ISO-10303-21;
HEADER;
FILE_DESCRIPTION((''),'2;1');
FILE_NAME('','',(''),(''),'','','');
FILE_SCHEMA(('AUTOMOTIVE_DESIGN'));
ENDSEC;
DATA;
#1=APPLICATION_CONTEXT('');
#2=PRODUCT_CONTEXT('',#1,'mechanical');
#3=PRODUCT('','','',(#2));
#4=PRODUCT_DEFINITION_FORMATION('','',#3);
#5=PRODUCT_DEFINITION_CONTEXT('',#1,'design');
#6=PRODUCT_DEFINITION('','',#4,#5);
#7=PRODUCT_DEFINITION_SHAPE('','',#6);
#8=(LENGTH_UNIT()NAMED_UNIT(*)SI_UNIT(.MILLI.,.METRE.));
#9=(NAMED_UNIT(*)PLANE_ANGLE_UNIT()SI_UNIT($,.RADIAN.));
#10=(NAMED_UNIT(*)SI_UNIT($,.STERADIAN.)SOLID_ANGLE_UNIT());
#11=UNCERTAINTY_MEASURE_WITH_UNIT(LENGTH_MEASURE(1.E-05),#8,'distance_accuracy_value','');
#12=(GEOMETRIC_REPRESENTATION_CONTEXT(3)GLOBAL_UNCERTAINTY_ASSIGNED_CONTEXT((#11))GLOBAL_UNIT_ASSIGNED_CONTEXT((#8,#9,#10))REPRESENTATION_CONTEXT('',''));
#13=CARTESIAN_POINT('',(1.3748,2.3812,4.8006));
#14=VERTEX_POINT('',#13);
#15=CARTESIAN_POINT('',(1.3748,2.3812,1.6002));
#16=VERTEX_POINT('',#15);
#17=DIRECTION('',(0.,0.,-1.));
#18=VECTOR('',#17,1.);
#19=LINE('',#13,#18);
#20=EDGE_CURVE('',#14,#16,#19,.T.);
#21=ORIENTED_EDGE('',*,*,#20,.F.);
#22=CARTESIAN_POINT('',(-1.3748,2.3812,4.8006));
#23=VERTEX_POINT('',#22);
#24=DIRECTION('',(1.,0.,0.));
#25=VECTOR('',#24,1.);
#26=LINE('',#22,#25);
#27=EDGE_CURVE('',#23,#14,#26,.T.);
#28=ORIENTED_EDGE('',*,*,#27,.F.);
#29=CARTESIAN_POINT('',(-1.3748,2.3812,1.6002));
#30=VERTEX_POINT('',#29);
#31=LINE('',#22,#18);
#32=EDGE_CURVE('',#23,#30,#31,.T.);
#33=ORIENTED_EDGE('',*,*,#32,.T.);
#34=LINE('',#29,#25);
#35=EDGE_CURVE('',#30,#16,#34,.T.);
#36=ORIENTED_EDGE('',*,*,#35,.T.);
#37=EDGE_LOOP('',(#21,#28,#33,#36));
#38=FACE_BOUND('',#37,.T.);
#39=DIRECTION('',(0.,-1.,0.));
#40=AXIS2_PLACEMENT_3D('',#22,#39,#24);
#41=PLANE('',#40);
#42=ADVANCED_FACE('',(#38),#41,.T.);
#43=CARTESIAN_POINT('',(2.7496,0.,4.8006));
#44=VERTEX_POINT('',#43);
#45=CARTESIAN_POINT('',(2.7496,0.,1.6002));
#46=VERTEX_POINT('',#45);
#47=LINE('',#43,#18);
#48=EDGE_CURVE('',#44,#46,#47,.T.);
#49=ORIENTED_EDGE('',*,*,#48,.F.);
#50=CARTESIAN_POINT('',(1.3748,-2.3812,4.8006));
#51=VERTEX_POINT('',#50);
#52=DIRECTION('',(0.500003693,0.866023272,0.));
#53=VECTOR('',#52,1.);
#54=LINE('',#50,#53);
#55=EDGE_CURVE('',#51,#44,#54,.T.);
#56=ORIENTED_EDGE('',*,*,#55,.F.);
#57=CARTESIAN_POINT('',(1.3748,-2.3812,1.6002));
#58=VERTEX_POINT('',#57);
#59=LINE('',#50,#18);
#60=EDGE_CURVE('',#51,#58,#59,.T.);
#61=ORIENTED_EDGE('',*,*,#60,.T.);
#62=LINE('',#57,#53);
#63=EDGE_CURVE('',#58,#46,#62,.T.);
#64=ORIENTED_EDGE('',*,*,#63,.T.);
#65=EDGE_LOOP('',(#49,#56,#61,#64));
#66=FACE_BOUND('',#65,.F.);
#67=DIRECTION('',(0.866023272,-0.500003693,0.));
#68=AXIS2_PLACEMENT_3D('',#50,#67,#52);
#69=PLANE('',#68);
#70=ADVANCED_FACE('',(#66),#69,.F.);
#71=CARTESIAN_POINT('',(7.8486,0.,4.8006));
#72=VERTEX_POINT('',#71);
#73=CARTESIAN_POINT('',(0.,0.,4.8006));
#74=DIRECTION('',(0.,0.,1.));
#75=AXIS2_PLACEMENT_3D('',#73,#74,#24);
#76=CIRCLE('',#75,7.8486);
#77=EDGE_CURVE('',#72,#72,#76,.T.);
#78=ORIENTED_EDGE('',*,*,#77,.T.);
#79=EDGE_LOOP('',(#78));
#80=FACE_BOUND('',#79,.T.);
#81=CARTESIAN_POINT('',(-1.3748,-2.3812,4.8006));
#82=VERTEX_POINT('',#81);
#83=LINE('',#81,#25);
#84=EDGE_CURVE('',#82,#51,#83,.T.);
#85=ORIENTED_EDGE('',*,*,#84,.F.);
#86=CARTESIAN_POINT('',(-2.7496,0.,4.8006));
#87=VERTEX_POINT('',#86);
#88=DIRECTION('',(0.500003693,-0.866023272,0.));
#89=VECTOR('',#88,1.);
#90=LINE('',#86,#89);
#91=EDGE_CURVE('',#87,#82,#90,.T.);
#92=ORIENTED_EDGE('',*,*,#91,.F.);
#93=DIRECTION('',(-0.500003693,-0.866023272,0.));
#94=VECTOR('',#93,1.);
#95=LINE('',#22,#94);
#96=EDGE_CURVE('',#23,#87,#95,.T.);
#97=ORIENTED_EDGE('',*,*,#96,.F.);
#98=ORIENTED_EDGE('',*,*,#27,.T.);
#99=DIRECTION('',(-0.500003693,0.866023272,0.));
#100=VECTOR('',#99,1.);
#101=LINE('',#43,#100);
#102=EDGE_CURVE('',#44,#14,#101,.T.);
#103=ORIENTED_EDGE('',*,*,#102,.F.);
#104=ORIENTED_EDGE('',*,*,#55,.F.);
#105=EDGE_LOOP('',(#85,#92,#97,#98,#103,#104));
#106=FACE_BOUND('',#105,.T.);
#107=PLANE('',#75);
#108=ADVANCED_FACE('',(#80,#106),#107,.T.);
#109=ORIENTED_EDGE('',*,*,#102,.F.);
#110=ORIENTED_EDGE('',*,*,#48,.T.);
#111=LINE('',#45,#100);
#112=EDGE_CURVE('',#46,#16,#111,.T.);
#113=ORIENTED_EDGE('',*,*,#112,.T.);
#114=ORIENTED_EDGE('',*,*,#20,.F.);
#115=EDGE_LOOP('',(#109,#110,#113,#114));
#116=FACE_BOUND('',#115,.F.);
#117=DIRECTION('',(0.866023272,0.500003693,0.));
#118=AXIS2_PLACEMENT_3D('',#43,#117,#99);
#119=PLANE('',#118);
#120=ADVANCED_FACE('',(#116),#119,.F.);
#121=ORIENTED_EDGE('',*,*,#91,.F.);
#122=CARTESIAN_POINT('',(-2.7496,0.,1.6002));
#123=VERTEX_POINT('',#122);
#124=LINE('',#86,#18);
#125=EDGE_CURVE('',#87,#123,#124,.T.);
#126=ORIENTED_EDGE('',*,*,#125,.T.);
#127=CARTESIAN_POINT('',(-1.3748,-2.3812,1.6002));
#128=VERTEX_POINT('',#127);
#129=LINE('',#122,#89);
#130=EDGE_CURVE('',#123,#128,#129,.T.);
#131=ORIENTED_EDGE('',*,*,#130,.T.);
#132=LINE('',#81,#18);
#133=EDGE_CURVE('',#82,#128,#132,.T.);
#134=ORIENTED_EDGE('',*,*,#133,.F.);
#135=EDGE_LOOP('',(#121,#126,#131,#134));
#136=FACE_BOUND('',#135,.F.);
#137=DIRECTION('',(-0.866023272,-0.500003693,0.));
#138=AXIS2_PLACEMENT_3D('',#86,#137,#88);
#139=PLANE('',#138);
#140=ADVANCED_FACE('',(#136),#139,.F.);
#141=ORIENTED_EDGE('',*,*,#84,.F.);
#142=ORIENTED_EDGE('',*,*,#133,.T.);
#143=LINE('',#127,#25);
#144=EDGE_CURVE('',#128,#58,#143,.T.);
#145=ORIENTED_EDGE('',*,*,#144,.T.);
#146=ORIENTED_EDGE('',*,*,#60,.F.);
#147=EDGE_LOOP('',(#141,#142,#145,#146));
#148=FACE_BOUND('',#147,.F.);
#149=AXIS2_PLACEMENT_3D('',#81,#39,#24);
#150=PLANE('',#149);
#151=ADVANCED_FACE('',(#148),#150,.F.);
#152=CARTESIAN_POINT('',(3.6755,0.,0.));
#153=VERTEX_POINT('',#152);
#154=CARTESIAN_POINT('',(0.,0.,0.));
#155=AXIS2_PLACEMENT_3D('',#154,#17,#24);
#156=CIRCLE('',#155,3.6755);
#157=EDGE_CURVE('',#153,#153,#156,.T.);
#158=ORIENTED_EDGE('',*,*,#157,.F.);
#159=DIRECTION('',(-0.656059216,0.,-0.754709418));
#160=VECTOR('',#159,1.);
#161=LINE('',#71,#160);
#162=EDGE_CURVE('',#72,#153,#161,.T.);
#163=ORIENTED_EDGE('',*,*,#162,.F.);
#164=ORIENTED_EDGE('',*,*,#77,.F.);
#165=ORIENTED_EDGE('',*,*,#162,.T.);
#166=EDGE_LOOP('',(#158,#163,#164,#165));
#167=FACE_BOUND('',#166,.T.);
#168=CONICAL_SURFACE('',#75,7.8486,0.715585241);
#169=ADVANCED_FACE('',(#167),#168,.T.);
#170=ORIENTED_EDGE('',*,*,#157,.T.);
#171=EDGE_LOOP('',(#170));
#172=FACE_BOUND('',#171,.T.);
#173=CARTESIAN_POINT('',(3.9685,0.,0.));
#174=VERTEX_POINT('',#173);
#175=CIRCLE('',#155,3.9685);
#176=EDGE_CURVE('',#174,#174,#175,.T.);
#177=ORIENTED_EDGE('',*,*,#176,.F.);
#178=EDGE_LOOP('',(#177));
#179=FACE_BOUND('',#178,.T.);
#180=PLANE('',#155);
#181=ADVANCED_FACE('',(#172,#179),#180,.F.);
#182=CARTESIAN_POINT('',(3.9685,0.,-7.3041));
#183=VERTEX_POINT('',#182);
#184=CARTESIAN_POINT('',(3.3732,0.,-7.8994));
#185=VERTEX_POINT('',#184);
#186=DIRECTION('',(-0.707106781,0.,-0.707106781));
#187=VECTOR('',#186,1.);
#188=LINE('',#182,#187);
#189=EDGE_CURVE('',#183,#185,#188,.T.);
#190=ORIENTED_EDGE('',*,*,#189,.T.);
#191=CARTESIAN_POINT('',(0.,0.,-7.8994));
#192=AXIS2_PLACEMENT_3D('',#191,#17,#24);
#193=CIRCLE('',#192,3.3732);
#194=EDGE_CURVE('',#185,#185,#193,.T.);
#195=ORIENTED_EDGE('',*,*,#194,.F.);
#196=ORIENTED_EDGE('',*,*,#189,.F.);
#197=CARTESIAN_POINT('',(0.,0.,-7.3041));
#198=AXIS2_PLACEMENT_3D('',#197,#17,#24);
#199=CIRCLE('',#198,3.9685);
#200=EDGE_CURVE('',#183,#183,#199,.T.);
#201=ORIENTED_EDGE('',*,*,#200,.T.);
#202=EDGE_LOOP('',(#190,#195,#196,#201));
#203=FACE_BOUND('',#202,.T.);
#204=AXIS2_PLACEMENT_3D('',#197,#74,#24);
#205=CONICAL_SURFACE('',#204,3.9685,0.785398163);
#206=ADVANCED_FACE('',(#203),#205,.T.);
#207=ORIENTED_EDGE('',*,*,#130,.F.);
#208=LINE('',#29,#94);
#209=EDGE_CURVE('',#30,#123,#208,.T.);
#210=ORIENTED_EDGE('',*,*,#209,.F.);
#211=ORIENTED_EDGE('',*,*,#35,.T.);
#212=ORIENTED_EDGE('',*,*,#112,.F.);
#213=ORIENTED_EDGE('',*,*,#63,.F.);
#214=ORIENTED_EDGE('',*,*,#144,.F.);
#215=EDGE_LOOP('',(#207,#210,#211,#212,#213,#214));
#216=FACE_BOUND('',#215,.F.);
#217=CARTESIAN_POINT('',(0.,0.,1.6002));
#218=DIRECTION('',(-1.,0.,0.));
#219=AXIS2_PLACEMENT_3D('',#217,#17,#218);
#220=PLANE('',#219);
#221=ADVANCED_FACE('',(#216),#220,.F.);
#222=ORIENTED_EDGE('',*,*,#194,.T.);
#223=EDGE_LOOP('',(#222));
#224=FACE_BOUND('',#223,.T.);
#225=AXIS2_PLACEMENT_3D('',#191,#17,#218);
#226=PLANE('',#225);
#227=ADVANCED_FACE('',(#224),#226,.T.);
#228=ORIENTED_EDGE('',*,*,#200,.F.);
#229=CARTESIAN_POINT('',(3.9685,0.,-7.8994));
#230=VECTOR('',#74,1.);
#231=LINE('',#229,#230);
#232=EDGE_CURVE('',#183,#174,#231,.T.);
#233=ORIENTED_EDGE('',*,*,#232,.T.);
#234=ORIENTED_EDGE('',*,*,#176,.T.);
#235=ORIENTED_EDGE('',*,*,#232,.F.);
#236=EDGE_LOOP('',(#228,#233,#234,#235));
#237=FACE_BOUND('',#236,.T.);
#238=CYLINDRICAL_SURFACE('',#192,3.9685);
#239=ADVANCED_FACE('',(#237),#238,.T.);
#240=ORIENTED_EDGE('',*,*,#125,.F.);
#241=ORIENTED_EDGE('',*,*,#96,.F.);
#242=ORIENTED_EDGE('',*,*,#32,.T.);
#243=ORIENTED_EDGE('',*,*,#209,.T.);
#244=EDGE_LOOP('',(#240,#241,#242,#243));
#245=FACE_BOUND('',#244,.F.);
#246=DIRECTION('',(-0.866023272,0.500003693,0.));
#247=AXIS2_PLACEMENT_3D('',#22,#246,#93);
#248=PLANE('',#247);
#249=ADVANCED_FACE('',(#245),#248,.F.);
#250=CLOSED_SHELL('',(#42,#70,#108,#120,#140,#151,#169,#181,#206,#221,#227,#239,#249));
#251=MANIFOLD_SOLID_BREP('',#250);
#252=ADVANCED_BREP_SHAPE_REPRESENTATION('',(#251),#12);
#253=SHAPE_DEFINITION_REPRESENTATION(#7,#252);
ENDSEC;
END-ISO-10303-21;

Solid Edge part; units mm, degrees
sketch "Sketch1" plane through (0, 0, 0) normal (0, 0, 1) x (1, 0, 0)
  circle A0 centre (0, 0) radius 7.8486
  dimension "D1" = 15.6972
extrude "Protrusion1" add sketch "Sketch1" along normal blind 4.8006
sketch "Sketch2" plane through (0, 0, 0) normal (0, 0, -1) x (1, 0, 0)
  circle A0 centre (0, 0) radius 3.9688
extrude "Protrusion2" add sketch "Sketch2" along normal blind 7.8994
sketch "Sketch3" plane through (0, 0, -7.8994) normal (0, 0, -1) x (1, 0, 0)
  circle A0 centre (0, 0) radius 3.9685
extrude "Cutout1" cut sketch "Sketch3" against normal blind 7.8994 flip side to cut
chamfer "Chamfer_1" distance 0.5953 angle 45 1 edges at (-3.9685, 0, -7.8994)
sketch "Sketch4" plane through (0, 0, 4.8006) normal (0, 0, 1) x (1, 0, 0)
  line L0 (-1.3748, 2.3812) -> (1.3748, 2.3812)
  line L1 (2.7496, 0) -> (1.3748, 2.3812)
  line L2 (1.3748, -2.3812) -> (2.7496, 0)
  line L3 (-1.3748, -2.3812) -> (1.3748, -2.3812)
  line L4 (-2.7496, 0) -> (-1.3748, -2.3812)
  line L5 (-1.3748, 2.3812) -> (-2.7496, 0)
  dimension "D1" = 4.7625
extrude "Cutout2" cut sketch "Sketch4" against normal blind 3.2004
sketch "Sketch5" plane through (0, 0, 0) normal (0, -1, 0) x (1, 0, 0)
  line L0 (7.8486, 4.8006) -> (3.6755, 0)
  line L1 (3.6755, 0) -> (7.8486, 0)
  line L2 (7.8486, 0) -> (7.8486, 4.8006)
revolve "RevolvedCutout1" cut sketch "Sketch5" angle 360 about axis through (0, 0, 14.0017) along (0, 0, -1)
properties part number "24104237"
